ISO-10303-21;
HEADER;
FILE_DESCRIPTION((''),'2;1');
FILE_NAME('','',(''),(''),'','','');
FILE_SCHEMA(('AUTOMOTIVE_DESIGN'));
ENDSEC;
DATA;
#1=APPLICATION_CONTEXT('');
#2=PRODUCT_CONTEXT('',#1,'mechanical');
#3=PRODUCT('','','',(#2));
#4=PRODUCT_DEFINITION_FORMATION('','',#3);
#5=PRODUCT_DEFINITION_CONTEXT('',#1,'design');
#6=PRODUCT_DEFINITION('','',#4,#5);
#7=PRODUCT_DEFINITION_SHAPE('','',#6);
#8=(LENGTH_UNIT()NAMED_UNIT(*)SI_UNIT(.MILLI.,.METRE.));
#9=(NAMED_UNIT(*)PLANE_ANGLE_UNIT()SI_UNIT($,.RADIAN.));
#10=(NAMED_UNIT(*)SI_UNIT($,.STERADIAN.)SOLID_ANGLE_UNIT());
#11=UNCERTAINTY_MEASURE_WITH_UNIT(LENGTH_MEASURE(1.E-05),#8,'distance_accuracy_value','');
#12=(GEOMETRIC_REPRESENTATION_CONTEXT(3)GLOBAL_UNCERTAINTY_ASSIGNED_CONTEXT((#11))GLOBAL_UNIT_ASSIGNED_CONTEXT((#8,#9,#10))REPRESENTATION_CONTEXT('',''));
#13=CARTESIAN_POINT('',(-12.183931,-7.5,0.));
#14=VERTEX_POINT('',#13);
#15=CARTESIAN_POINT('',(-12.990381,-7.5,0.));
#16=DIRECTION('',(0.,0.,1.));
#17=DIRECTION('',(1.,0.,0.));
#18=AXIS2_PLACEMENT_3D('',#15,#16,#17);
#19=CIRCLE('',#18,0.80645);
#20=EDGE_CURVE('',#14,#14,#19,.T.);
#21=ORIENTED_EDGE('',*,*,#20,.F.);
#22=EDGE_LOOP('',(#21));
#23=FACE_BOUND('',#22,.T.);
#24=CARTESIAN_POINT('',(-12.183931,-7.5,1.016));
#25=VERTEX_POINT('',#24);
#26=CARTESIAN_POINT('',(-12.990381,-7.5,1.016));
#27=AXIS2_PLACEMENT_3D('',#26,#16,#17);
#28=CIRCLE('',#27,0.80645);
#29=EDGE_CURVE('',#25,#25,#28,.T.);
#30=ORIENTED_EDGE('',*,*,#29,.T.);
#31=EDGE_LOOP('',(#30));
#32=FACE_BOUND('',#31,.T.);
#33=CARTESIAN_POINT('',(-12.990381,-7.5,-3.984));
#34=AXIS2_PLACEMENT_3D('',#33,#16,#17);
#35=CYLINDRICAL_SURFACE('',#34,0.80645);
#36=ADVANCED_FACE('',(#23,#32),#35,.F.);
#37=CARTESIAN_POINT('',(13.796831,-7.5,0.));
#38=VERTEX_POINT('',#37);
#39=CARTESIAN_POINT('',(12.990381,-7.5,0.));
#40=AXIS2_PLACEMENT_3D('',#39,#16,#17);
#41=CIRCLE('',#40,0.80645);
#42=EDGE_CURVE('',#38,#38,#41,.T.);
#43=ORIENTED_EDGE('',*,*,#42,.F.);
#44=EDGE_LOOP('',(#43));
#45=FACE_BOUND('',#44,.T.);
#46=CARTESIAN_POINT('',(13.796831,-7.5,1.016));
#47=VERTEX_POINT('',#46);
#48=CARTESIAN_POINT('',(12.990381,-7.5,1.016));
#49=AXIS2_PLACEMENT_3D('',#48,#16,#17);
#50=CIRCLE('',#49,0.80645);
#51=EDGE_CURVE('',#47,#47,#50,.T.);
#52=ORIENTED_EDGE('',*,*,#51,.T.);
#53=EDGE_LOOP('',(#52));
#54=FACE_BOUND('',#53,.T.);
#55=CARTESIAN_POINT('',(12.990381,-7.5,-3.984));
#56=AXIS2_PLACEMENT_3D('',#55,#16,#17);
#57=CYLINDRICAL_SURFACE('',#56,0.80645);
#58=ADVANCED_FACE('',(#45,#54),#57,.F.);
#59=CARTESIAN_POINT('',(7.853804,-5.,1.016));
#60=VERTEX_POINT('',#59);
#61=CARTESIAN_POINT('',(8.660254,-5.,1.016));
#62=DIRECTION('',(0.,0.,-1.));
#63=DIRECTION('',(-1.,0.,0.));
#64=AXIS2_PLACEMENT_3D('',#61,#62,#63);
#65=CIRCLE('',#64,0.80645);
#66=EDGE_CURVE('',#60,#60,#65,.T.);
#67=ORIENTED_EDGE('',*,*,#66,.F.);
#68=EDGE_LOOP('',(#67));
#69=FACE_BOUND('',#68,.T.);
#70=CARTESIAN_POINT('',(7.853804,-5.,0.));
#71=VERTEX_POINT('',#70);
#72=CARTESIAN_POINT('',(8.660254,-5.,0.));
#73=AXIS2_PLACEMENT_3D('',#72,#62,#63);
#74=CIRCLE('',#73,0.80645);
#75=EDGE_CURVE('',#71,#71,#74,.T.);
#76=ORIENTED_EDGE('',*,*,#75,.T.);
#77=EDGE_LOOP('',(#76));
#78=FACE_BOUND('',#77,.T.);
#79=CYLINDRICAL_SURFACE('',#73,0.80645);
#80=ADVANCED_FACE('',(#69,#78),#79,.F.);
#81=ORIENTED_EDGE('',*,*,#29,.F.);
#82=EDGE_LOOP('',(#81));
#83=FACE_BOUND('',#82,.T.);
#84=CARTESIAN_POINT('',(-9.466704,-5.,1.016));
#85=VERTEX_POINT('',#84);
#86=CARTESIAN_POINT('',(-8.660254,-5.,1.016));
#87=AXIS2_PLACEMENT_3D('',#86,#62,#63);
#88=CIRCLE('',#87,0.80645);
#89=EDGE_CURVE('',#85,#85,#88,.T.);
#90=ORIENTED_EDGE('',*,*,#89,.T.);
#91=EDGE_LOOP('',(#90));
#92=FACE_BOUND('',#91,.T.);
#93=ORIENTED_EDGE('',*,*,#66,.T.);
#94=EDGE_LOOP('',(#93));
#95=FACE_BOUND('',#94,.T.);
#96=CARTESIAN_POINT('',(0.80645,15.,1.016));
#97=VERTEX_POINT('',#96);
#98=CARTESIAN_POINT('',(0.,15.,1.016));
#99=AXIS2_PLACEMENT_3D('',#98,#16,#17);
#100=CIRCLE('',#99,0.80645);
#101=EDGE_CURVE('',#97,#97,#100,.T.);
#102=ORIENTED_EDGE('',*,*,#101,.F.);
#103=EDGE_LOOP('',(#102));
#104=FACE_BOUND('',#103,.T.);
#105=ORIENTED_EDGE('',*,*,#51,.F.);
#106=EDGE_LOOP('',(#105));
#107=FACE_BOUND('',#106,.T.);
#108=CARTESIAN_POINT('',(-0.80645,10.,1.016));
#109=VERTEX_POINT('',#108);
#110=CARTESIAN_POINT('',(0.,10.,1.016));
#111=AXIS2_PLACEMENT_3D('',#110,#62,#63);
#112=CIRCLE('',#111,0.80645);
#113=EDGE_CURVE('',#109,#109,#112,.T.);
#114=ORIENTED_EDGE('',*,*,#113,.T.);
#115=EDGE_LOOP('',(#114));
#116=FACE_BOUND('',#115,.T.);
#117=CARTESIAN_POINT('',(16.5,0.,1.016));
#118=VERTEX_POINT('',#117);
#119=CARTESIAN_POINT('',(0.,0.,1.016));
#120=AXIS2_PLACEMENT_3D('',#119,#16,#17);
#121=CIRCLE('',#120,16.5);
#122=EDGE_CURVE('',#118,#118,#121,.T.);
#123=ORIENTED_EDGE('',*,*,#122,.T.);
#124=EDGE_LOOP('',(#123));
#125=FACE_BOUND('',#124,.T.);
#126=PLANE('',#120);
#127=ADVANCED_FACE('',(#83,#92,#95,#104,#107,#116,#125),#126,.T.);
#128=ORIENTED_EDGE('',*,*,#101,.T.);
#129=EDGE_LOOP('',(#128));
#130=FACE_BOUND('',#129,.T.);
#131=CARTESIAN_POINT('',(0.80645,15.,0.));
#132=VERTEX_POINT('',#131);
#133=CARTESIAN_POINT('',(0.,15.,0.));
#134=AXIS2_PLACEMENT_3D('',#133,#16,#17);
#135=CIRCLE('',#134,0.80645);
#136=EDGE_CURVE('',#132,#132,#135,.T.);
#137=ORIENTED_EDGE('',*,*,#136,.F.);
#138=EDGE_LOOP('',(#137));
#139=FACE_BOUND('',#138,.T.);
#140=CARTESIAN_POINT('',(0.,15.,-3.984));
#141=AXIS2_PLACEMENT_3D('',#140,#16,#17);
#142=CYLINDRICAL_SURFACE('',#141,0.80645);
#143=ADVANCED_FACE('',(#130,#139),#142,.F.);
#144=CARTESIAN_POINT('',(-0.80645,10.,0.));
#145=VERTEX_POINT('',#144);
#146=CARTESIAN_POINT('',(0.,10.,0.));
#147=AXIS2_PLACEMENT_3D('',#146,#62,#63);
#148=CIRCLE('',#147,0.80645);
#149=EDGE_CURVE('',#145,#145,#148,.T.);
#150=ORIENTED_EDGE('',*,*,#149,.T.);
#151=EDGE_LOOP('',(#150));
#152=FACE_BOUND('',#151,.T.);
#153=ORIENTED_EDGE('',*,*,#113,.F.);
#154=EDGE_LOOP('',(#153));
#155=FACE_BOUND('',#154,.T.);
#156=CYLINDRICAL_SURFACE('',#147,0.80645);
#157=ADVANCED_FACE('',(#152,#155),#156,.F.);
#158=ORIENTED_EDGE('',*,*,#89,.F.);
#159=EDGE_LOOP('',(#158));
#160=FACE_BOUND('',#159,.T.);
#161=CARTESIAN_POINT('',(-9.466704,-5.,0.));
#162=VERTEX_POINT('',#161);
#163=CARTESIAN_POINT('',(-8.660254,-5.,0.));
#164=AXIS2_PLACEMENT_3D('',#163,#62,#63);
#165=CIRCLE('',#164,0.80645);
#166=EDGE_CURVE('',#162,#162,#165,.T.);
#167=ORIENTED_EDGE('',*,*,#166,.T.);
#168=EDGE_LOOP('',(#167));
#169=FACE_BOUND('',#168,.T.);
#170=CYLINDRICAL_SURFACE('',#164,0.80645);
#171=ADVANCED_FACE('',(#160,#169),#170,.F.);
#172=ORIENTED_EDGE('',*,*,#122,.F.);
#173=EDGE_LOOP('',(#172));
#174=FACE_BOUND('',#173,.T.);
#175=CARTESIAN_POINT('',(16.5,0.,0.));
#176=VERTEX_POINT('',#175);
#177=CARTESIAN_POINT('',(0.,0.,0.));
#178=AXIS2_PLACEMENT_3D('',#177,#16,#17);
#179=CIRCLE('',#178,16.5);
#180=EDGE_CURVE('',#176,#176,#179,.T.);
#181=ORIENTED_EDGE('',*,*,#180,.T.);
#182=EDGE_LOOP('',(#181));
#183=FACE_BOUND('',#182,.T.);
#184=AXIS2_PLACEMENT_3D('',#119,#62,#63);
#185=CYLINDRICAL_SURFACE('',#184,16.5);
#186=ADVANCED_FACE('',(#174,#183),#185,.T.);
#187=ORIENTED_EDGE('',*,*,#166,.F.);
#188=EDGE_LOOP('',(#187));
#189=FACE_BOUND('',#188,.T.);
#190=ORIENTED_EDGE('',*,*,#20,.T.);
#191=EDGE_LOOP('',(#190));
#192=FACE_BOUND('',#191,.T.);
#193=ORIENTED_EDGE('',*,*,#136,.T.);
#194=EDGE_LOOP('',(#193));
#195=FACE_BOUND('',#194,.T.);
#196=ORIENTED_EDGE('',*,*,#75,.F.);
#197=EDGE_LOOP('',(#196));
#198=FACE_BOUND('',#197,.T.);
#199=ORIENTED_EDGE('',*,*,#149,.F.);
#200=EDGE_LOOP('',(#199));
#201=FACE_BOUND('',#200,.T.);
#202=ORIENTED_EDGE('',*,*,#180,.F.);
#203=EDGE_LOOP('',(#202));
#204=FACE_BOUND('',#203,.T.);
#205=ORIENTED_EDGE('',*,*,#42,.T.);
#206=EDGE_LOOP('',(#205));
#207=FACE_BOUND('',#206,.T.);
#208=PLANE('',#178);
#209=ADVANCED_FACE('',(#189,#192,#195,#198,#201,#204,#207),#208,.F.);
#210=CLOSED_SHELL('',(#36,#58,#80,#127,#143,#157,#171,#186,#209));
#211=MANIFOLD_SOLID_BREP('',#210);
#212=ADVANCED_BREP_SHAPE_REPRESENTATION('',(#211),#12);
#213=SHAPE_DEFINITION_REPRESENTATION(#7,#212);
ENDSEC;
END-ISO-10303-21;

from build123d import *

# Parameters (mm, degrees)
SKETCH1_R             = 16.5
EXTRUDE1_DEPTH        = 1.016
F_0_CLEARANCE_HOLE1_D = 1.6129
SKETCH6_R             = 0.80645
CUT_EXTRUDE1_DEPTH    = 5


with BuildPart() as part:
    # Sketch1 → Extrude1 (new body)
    with BuildSketch(Plane.XY):
        Circle(SKETCH1_R)
    extrude(amount=EXTRUDE1_DEPTH)

    # #0 Clearance Hole1 (through all)
    with Locations(Plane(origin=(0, 10, 0), x_dir=(-1, 0, 0), z_dir=(0, 0, -1))):
        with Locations((0, 0), (8.660254038, -15), (-8.660254038, -15)):
            Hole(F_0_CLEARANCE_HOLE1_D / 2)

    # Sketch6 → Cut-Extrude1 (cut)
    with BuildSketch(Plane.XY.offset(1.016)):
        with Locations((0, 15)):
            Circle(SKETCH6_R)
        with Locations((12.990381057, -7.5)):
            Circle(SKETCH6_R)
        with Locations((-12.990381057, -7.5)):
            Circle(SKETCH6_R)
    extrude(amount=-CUT_EXTRUDE1_DEPTH, mode=Mode.SUBTRACT)


solid = part.part
